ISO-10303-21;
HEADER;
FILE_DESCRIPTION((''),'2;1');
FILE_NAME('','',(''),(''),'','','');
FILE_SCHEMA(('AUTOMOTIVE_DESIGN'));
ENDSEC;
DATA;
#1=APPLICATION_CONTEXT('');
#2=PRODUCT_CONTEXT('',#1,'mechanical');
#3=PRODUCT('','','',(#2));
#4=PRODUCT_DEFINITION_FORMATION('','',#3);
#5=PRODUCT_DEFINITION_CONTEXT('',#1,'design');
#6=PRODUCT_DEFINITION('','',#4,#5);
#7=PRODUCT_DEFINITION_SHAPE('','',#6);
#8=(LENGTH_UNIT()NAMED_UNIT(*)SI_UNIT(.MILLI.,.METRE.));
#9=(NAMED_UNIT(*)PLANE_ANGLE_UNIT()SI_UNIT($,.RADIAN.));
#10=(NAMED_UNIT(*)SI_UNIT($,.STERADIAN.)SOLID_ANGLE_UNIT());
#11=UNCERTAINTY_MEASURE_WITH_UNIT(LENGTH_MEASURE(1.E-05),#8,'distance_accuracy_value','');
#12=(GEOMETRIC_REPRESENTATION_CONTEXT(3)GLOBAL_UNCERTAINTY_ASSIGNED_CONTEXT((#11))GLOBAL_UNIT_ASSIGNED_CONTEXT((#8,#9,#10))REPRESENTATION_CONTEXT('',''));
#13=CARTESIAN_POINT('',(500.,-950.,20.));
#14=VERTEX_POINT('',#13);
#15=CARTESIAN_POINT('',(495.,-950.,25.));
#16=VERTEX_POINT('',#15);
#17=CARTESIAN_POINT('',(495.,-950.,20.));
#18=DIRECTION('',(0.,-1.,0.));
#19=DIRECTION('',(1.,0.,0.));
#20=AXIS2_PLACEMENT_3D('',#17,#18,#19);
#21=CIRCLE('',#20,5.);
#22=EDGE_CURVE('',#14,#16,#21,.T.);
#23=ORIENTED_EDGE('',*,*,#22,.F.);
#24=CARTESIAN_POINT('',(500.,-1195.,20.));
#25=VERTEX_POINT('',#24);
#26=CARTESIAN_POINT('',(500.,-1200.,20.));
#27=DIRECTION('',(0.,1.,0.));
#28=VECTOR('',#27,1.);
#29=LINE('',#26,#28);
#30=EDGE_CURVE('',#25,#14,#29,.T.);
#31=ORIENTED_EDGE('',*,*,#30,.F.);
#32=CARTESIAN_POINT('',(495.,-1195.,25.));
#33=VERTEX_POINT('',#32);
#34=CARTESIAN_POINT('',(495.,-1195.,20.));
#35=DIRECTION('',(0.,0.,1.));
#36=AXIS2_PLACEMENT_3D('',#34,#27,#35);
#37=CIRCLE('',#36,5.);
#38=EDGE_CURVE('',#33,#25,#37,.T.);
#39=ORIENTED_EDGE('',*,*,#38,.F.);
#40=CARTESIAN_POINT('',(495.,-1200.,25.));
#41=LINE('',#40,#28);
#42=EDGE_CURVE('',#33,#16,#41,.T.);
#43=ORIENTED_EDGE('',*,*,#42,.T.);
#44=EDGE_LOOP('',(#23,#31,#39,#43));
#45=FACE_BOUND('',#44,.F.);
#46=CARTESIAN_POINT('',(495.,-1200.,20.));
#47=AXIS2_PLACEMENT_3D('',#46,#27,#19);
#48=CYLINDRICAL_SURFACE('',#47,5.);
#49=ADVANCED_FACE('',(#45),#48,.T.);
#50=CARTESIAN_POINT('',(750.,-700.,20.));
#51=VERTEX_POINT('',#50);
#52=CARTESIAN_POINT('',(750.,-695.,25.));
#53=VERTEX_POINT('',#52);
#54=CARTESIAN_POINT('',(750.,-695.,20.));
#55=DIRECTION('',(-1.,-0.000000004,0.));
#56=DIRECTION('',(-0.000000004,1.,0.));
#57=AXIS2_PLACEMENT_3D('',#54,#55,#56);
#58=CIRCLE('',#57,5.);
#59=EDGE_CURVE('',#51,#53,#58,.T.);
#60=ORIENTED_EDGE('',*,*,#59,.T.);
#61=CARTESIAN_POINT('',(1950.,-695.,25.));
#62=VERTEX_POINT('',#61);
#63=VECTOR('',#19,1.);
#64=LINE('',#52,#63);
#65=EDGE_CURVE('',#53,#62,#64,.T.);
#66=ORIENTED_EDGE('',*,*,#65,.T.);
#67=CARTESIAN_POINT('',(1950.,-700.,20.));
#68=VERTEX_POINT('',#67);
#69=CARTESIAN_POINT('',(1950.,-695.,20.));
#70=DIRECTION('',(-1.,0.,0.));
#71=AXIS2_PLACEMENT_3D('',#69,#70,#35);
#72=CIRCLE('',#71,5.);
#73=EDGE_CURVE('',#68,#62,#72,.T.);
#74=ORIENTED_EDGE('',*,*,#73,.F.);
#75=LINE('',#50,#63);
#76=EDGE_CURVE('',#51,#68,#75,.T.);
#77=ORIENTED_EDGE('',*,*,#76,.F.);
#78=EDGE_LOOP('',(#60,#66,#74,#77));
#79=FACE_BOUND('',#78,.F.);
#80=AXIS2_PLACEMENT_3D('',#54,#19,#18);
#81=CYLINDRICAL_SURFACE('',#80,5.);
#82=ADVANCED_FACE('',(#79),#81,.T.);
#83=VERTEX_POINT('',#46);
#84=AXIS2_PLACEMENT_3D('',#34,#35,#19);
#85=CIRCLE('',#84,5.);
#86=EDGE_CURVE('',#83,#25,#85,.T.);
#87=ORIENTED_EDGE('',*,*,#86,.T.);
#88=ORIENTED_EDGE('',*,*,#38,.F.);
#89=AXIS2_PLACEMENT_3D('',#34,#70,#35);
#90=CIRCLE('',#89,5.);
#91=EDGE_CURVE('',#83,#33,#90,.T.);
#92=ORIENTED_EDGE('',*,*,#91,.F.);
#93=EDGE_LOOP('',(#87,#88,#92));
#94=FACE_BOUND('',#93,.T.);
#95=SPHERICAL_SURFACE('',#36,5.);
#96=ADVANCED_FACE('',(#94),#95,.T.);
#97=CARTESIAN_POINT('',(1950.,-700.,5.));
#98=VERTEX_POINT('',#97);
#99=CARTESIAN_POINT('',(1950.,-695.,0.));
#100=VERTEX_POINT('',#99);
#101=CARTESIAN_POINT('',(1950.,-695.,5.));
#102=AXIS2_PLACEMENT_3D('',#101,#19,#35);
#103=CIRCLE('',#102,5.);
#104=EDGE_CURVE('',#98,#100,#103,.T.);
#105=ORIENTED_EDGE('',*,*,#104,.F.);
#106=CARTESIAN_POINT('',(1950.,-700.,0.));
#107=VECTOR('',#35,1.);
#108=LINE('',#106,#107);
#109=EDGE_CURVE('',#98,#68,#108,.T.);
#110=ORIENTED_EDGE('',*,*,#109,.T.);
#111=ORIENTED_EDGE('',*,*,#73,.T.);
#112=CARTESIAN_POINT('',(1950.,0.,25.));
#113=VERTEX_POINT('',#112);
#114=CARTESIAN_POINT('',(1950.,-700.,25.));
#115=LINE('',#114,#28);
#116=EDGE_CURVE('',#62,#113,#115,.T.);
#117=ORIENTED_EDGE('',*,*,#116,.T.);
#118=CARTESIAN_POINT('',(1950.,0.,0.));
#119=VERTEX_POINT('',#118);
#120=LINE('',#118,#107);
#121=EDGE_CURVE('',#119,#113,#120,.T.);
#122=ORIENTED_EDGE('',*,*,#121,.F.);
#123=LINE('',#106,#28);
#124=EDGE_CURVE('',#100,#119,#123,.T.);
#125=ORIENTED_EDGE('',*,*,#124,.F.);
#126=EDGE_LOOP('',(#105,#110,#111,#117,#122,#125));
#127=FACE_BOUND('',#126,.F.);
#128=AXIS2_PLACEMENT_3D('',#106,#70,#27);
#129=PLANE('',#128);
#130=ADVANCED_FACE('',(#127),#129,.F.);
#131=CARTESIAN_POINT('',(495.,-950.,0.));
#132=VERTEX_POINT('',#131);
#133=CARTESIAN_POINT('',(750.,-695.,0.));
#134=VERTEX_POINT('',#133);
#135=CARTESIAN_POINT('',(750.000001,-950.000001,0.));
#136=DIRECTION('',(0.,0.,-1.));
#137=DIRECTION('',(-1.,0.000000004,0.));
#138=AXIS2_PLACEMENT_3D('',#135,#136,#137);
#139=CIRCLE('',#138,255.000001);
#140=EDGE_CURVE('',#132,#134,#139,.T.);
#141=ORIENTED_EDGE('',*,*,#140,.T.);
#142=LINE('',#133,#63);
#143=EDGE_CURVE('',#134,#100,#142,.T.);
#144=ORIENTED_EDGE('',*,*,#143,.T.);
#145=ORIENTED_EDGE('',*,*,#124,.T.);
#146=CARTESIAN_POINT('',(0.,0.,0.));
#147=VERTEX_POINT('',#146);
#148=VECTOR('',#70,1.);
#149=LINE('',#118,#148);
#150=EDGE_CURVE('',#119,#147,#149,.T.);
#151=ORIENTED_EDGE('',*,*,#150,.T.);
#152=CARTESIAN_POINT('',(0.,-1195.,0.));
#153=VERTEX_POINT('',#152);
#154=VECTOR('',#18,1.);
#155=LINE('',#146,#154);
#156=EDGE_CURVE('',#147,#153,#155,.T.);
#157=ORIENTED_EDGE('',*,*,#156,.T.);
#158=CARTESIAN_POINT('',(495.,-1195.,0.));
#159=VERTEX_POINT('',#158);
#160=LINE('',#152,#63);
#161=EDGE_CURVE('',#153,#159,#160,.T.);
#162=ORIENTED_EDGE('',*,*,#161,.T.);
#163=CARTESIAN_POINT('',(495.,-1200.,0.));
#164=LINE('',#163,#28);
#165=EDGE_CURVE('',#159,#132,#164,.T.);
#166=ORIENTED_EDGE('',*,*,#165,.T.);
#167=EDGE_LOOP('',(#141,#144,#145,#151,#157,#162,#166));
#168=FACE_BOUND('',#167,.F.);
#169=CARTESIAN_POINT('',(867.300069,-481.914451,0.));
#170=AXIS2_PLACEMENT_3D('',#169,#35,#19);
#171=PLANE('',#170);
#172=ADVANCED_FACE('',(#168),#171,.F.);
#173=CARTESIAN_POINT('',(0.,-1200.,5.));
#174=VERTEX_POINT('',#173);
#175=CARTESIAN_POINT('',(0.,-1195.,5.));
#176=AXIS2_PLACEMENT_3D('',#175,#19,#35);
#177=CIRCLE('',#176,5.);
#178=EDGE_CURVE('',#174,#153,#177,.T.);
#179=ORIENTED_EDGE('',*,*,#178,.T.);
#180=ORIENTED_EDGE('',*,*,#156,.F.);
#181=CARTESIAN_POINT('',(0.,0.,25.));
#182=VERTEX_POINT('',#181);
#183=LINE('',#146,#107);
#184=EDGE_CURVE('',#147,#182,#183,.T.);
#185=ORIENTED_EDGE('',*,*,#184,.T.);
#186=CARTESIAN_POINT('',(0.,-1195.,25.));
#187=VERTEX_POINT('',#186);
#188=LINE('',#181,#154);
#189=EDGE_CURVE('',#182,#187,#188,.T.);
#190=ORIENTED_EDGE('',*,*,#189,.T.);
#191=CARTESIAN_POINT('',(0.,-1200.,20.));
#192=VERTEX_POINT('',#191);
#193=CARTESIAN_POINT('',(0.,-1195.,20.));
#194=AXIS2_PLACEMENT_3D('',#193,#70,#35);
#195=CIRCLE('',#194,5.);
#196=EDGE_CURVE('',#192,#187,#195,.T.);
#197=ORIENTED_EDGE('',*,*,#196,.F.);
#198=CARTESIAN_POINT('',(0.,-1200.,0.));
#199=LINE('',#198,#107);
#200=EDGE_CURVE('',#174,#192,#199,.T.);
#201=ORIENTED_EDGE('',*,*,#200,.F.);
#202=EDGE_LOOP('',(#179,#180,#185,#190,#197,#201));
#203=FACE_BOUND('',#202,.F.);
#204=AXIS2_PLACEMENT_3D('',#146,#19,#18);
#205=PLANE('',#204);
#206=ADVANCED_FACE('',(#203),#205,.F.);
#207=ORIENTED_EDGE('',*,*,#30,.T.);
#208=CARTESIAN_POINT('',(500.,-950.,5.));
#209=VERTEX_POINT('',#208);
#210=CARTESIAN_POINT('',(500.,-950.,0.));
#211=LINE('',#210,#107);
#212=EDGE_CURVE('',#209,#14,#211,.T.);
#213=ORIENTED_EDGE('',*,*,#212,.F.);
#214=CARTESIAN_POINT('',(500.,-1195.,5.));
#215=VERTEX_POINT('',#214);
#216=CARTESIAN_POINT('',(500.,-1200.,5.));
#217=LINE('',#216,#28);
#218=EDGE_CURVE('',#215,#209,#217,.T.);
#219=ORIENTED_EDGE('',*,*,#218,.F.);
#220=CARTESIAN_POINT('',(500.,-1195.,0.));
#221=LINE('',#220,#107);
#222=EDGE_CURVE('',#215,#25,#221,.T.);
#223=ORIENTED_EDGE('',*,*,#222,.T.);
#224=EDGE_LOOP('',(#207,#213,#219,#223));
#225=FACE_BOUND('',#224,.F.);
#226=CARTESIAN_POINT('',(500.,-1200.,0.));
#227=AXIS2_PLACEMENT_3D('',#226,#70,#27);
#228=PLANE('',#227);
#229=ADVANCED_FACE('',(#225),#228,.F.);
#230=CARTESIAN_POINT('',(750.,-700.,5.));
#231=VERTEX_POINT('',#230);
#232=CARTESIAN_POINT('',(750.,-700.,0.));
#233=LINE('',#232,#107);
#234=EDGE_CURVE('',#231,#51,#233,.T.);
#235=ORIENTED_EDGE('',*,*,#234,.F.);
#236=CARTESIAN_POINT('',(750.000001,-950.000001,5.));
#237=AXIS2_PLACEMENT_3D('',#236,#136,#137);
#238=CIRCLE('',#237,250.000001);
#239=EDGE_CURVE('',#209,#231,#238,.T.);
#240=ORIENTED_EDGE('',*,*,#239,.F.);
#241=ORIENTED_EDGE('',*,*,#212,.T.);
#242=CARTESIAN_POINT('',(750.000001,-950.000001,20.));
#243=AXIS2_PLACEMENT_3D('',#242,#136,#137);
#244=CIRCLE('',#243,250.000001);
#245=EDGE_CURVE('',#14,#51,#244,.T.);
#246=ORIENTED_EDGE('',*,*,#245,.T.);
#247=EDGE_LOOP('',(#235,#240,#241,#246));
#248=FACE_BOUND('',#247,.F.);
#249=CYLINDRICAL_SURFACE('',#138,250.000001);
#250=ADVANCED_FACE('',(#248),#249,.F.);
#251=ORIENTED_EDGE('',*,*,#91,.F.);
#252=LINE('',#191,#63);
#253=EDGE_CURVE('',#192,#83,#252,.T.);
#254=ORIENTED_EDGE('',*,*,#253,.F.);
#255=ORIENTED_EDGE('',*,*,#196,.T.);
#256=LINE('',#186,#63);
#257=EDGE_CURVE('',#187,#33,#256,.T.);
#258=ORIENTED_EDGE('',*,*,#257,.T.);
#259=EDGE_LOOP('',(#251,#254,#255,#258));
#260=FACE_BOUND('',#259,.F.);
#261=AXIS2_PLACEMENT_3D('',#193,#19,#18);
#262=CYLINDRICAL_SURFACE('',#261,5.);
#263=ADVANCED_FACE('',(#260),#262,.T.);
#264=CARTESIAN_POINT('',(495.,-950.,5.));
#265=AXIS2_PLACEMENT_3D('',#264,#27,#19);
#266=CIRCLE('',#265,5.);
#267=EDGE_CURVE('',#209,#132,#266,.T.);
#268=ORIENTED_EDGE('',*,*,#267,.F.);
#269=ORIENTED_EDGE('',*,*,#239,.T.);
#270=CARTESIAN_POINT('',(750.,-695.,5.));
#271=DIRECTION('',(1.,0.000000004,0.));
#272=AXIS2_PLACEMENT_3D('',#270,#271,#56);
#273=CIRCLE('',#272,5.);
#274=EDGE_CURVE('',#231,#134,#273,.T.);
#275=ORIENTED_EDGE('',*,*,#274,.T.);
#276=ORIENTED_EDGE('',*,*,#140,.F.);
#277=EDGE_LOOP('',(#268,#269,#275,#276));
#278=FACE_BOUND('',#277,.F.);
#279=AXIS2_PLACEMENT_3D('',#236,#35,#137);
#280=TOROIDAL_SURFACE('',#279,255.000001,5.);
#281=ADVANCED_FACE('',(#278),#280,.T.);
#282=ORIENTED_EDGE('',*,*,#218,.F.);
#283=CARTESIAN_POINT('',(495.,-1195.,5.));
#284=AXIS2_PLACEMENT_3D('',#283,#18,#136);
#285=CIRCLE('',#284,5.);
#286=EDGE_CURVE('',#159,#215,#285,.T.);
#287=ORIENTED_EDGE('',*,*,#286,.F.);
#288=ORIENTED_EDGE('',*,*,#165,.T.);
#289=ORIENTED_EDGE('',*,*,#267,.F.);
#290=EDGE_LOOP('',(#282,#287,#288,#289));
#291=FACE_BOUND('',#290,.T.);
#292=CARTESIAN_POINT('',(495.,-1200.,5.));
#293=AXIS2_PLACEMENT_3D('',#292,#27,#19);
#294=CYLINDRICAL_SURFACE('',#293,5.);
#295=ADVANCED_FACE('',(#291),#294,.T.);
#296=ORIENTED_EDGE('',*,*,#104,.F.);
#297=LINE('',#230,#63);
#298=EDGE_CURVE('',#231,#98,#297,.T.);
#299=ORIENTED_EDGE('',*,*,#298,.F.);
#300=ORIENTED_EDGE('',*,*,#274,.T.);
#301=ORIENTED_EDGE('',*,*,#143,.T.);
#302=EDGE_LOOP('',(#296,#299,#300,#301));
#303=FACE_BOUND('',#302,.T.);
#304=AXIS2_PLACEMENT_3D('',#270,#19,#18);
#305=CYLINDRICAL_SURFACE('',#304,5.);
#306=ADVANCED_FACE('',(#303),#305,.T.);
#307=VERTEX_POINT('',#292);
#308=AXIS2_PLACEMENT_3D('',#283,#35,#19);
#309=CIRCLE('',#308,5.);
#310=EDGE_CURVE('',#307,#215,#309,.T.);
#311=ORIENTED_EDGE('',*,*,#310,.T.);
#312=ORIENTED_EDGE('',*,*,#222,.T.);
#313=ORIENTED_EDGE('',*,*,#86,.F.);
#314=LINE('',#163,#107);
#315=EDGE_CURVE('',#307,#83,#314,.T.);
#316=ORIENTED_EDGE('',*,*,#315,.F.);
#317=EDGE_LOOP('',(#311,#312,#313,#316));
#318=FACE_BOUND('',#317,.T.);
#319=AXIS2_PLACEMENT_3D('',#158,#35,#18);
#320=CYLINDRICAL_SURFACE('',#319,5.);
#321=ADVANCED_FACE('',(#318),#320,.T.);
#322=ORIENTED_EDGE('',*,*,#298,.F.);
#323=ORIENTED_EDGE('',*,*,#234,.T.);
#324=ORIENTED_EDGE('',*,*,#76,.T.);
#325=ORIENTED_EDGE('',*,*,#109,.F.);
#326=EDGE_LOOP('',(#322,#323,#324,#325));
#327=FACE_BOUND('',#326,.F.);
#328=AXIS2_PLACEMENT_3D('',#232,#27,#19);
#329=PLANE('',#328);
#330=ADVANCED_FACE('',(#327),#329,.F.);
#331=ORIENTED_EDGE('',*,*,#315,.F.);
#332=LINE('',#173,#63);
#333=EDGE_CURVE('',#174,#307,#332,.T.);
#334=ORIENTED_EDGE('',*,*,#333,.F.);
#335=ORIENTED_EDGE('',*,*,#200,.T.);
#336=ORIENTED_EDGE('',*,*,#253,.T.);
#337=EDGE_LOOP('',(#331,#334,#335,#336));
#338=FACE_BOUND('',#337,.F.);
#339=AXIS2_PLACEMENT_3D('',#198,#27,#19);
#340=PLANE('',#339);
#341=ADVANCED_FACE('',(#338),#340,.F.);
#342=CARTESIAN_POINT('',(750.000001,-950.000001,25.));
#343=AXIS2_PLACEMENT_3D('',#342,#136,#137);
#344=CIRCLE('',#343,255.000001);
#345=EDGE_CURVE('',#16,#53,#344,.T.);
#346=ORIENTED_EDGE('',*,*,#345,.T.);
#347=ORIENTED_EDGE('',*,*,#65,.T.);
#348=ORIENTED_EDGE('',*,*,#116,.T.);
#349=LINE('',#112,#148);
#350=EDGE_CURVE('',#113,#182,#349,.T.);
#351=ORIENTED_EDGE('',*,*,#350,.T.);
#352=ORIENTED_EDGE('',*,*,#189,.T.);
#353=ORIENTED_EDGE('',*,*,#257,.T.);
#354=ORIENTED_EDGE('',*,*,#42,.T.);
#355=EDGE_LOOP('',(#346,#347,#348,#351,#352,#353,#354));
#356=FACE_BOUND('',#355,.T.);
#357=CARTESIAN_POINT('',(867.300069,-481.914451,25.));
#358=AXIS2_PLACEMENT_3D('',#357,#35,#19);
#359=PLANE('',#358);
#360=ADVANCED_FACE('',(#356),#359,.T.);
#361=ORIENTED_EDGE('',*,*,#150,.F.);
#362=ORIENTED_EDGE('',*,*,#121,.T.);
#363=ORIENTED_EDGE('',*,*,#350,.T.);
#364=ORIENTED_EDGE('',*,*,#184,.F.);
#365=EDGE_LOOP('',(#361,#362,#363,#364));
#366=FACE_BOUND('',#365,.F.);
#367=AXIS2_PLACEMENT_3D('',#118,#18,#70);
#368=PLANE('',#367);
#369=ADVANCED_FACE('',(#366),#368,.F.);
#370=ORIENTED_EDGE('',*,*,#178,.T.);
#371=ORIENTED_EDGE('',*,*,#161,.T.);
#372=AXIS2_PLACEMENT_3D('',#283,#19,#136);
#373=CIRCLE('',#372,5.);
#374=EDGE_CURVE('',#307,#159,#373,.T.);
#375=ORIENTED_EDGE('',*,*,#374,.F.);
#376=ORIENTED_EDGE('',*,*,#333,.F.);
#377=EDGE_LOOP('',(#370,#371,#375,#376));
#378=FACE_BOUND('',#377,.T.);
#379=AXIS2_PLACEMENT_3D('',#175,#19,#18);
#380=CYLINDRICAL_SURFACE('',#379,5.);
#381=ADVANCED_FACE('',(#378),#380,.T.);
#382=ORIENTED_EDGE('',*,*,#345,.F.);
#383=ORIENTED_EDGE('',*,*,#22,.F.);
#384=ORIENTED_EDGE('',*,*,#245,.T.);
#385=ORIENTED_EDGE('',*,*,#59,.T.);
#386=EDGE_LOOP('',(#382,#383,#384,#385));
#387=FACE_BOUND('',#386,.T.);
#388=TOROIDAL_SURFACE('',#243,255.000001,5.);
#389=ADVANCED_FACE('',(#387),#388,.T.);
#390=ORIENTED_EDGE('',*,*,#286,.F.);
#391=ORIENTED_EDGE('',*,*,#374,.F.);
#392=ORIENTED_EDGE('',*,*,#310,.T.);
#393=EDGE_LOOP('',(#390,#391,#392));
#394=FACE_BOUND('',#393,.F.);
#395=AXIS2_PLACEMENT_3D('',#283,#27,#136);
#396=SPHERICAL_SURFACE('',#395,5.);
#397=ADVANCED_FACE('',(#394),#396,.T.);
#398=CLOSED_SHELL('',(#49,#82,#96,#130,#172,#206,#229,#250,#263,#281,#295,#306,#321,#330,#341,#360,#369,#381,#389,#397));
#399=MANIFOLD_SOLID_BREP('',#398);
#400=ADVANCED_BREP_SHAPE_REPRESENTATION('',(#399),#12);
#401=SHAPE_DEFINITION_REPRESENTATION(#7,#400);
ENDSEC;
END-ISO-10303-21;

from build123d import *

# Parameters (mm, degrees)
F1_DEPTH = 25
F2_R     = 5


with BuildPart() as f1:
    # F0 (on Top) → F1 (new body)
    with BuildSketch(Plane.XY):
        with BuildLine():
            Line((0, 0), (0, -1200))
            Line((0, -1200), (500, -1200))
            Line((500, -1200), (500, -950))
            ThreePointArc((500, -950), (573.223305, -773.223305), (750, -700))
            Line((750, -700), (1950, -700))
            Line((1950, -700), (1950, 0))
            Line((1950, 0), (0, 0))
        make_face()
    extrude(amount=F1_DEPTH)

    # F2
    f2_edges = [f1.edges().sort_by_distance(p)[0] for p in [
        (1350, -700, 25),
        (1350, -700, 0),
        (250, -1200, 25),
        (250, -1200, 0),
        (500, -1200, 12.5),
    ]]
    fillet(f2_edges, radius=F2_R)


solid = f1.part
